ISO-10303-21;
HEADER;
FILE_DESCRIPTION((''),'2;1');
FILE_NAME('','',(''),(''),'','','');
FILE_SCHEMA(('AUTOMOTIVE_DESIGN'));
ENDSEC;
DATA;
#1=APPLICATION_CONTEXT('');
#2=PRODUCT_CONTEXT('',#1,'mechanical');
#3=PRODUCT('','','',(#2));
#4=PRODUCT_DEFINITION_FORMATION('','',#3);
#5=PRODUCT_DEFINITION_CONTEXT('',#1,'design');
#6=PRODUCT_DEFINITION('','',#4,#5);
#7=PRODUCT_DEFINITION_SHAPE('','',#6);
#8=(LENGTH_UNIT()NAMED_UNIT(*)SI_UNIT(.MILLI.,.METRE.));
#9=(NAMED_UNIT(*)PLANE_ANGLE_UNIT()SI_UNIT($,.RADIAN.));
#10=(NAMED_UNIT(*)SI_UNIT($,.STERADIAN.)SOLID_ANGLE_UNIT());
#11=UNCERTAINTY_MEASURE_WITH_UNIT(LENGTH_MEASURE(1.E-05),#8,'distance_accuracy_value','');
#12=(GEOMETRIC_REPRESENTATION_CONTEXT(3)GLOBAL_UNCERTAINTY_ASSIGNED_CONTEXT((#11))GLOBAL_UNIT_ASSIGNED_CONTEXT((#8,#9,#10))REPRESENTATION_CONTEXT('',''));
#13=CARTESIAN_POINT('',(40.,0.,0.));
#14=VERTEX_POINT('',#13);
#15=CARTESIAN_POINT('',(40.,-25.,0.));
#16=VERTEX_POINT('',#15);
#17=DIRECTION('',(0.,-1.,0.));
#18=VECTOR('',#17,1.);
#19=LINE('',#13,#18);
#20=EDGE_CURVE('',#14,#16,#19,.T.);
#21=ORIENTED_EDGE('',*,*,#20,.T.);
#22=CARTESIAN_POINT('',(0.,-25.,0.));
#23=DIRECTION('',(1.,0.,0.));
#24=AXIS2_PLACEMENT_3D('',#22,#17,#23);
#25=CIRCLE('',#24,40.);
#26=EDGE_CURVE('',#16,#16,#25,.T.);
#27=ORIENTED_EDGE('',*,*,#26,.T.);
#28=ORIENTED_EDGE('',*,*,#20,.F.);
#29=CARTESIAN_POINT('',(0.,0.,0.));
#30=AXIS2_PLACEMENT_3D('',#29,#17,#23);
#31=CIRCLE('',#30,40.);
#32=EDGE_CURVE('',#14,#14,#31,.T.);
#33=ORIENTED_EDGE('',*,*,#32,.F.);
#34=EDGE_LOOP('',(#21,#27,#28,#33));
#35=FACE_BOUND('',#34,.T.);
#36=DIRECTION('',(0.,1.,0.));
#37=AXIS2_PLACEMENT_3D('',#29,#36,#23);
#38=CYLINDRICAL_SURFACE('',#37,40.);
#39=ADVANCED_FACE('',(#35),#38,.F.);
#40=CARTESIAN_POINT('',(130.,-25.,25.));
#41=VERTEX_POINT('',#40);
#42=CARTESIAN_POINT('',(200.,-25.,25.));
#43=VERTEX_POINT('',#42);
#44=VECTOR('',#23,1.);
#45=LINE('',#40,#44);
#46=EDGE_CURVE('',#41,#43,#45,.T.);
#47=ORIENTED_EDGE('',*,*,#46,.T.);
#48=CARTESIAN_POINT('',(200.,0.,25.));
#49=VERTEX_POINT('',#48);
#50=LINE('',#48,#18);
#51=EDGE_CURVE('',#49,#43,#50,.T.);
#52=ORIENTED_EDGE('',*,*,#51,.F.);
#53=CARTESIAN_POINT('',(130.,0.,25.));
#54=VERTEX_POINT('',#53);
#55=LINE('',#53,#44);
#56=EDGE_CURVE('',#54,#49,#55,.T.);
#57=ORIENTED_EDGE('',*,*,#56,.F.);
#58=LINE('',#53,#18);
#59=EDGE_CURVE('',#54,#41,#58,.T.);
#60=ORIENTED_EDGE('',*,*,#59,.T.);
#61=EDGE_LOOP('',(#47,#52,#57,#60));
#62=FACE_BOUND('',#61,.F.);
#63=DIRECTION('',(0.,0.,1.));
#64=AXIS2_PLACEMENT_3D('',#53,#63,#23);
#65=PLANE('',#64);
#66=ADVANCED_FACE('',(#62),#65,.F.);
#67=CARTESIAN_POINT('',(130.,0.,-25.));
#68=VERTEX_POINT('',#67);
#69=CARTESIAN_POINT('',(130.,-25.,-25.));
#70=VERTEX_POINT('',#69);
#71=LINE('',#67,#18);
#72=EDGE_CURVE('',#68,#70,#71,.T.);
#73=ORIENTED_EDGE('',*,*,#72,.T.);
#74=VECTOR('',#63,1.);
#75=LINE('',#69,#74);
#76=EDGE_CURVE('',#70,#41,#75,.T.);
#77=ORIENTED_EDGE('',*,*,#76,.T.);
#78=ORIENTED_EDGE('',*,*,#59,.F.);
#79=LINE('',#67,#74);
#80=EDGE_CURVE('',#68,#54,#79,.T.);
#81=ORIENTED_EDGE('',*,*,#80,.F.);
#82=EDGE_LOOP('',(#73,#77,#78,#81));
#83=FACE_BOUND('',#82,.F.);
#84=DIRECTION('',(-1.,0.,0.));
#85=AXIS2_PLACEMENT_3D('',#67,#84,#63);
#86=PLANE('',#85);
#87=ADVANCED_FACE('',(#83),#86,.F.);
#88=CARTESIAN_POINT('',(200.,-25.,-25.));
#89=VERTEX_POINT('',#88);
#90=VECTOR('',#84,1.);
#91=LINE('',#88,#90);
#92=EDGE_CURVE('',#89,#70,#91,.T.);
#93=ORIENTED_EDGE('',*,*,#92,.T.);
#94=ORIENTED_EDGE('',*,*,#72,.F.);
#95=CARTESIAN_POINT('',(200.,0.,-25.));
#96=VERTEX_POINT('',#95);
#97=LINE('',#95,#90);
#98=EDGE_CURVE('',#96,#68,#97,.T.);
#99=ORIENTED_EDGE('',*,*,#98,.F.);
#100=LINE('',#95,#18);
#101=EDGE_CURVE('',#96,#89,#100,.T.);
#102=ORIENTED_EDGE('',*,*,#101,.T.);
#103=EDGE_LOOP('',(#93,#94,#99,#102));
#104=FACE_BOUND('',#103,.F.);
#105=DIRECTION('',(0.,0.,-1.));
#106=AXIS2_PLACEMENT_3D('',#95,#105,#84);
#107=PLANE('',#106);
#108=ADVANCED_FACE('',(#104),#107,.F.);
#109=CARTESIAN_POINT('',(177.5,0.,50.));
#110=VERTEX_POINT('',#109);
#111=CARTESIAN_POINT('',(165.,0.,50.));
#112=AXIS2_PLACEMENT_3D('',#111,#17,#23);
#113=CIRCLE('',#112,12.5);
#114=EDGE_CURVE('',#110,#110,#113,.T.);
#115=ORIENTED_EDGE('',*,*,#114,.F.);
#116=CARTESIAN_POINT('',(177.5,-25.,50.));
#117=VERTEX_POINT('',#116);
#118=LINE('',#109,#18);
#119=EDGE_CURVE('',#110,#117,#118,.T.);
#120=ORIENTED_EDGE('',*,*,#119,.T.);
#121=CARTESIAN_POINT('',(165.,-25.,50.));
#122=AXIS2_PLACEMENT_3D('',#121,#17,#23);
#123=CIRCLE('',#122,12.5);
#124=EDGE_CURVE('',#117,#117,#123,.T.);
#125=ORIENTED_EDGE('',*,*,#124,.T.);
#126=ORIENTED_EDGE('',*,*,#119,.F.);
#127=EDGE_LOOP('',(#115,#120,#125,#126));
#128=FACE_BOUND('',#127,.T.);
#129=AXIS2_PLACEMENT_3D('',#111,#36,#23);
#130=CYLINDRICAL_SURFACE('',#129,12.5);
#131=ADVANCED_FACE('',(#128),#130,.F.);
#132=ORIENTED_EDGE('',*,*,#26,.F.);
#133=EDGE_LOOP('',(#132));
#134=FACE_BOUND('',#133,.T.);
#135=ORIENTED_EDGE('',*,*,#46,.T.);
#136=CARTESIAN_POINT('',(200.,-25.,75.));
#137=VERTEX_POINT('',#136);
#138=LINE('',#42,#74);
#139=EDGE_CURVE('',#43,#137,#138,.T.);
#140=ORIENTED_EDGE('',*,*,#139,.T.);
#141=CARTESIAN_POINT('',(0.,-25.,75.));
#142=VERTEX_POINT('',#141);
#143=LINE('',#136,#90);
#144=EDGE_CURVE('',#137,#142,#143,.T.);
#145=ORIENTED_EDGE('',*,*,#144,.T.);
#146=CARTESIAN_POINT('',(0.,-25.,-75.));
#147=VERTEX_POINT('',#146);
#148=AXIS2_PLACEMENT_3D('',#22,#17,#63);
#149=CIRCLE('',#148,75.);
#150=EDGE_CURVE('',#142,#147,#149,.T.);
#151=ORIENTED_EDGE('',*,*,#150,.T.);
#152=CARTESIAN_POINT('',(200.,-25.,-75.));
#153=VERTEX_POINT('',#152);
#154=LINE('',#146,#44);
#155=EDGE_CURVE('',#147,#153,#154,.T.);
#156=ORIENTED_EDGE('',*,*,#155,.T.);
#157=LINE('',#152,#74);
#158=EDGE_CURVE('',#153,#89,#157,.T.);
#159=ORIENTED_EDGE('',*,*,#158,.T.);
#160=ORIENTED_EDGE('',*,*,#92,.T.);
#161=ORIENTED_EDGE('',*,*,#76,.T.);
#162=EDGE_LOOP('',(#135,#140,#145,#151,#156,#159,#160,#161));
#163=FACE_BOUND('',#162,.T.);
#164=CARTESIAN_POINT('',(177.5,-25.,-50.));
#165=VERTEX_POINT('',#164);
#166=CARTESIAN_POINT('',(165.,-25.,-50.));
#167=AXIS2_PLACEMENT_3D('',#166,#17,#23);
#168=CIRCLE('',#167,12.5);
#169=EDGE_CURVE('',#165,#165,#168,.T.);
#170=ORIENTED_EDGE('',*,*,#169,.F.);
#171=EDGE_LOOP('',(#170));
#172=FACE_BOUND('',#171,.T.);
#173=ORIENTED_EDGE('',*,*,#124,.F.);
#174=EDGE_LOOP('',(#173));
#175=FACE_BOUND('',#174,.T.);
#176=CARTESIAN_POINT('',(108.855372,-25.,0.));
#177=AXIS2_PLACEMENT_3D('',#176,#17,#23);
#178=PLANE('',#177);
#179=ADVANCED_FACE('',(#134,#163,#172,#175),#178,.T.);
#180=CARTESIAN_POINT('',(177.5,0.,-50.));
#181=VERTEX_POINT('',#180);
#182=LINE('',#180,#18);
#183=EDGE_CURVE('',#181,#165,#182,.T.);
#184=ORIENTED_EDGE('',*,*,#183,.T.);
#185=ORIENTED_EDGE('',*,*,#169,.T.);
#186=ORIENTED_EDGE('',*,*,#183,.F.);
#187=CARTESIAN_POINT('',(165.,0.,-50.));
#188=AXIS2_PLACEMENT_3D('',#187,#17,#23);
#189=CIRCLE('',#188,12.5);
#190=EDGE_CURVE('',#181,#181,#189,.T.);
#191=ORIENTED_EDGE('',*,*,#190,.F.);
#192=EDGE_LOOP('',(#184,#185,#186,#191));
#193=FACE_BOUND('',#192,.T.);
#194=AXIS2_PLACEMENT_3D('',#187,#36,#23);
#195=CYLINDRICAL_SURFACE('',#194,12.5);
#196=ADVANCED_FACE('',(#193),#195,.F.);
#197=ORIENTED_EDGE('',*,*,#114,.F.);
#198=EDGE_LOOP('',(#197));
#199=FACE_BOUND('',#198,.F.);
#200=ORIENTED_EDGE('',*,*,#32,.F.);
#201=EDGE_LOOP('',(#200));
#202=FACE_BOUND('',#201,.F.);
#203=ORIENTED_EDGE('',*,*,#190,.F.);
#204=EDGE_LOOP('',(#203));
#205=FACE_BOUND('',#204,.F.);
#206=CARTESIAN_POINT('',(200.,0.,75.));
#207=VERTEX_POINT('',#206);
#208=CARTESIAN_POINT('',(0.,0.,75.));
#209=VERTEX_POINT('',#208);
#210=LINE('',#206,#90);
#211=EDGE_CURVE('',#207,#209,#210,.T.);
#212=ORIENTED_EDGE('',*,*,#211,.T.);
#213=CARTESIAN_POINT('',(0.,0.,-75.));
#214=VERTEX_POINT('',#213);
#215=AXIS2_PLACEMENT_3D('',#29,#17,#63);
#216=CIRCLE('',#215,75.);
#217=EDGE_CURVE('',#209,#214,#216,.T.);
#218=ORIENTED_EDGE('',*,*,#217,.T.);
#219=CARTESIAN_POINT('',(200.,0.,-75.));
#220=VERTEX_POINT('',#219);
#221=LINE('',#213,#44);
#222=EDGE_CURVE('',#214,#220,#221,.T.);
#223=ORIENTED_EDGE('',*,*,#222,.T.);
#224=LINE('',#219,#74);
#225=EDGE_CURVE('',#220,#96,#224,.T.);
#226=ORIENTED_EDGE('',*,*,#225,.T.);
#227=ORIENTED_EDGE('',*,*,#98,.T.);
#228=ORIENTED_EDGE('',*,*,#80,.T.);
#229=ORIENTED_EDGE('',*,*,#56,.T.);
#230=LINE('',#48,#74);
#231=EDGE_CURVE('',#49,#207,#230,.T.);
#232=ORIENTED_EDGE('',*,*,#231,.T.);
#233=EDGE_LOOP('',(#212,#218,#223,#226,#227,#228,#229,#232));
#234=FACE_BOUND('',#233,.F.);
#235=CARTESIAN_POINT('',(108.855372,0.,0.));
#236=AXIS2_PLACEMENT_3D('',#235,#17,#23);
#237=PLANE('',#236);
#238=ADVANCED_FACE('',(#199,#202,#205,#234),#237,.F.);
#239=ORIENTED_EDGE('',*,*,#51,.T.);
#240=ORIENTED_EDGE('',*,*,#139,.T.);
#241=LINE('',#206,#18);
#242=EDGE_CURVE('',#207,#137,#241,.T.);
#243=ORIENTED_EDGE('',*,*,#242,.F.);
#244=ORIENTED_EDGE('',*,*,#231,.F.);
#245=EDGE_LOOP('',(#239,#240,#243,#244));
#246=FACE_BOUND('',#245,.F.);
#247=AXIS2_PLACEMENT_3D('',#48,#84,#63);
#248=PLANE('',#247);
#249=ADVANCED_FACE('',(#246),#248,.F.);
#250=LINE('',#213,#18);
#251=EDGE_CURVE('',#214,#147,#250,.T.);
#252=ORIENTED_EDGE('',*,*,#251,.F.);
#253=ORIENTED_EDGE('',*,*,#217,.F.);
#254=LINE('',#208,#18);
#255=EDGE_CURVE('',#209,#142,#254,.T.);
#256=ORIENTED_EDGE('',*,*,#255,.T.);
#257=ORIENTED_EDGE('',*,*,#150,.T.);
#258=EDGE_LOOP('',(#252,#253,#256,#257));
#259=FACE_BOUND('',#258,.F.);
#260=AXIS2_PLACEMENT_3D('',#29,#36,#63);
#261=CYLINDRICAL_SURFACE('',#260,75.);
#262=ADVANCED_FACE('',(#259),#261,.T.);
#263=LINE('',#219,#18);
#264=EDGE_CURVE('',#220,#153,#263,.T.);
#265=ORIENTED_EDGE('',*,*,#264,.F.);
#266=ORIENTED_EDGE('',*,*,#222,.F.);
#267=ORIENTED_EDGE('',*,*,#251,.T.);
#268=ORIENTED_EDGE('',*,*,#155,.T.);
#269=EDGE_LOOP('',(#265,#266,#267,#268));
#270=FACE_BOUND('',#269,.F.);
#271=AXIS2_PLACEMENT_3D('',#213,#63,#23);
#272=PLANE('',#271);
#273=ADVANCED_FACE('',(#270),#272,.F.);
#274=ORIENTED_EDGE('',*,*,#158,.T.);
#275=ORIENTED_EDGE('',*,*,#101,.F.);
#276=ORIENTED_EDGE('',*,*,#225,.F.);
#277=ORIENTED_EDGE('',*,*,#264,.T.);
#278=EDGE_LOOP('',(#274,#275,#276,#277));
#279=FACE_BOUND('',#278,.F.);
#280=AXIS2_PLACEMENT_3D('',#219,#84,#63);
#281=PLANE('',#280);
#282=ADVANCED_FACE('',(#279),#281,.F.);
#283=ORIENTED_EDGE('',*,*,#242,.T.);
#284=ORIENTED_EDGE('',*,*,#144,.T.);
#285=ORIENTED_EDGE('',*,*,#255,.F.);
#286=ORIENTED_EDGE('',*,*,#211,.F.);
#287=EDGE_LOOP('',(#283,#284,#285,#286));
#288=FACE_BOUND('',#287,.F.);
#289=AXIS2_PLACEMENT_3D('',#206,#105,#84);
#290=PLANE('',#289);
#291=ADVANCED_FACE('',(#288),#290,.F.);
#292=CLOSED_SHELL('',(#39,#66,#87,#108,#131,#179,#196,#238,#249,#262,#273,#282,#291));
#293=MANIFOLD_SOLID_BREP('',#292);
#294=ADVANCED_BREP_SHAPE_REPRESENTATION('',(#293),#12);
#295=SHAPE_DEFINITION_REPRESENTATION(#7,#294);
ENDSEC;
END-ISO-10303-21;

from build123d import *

# Parameters (mm, degrees)
F0_R     = 12.5
F0_R_2   = 40
F1_DEPTH = 25


with BuildPart() as f1:
    # F0 (on Front) → F1 (new body)
    with BuildSketch(Plane.XZ):
        with BuildLine():
            ThreePointArc((0, 75), (53.033009, 53.033009), (75, 0))
            ThreePointArc((75, 0), (53.033009, -53.033009), (0, -75))
            Line((0, -75), (200, -75))
            Line((200, -75), (200, -25))
            Line((200, -25), (130, -25))
            Line((130, -25), (130, 25))
            Line((130, 25), (200, 25))
            Line((200, 25), (200, 75))
            Line((200, 75), (0, 75))
        make_face()
        with Locations((165, -50)):
            Circle(F0_R, mode=Mode.SUBTRACT)
        with Locations((165, 50)):
            Circle(F0_R, mode=Mode.SUBTRACT)
        with BuildLine():
            ThreePointArc((0, -75), (53.033009, -53.033009), (75, 0))
            ThreePointArc((75, 0), (53.033009, 53.033009), (0, 75))
            ThreePointArc((0, 75), (-75, 0), (0, -75))
        make_face()
        Circle(F0_R_2, mode=Mode.SUBTRACT)
    extrude(amount=F1_DEPTH)


solid = f1.part
